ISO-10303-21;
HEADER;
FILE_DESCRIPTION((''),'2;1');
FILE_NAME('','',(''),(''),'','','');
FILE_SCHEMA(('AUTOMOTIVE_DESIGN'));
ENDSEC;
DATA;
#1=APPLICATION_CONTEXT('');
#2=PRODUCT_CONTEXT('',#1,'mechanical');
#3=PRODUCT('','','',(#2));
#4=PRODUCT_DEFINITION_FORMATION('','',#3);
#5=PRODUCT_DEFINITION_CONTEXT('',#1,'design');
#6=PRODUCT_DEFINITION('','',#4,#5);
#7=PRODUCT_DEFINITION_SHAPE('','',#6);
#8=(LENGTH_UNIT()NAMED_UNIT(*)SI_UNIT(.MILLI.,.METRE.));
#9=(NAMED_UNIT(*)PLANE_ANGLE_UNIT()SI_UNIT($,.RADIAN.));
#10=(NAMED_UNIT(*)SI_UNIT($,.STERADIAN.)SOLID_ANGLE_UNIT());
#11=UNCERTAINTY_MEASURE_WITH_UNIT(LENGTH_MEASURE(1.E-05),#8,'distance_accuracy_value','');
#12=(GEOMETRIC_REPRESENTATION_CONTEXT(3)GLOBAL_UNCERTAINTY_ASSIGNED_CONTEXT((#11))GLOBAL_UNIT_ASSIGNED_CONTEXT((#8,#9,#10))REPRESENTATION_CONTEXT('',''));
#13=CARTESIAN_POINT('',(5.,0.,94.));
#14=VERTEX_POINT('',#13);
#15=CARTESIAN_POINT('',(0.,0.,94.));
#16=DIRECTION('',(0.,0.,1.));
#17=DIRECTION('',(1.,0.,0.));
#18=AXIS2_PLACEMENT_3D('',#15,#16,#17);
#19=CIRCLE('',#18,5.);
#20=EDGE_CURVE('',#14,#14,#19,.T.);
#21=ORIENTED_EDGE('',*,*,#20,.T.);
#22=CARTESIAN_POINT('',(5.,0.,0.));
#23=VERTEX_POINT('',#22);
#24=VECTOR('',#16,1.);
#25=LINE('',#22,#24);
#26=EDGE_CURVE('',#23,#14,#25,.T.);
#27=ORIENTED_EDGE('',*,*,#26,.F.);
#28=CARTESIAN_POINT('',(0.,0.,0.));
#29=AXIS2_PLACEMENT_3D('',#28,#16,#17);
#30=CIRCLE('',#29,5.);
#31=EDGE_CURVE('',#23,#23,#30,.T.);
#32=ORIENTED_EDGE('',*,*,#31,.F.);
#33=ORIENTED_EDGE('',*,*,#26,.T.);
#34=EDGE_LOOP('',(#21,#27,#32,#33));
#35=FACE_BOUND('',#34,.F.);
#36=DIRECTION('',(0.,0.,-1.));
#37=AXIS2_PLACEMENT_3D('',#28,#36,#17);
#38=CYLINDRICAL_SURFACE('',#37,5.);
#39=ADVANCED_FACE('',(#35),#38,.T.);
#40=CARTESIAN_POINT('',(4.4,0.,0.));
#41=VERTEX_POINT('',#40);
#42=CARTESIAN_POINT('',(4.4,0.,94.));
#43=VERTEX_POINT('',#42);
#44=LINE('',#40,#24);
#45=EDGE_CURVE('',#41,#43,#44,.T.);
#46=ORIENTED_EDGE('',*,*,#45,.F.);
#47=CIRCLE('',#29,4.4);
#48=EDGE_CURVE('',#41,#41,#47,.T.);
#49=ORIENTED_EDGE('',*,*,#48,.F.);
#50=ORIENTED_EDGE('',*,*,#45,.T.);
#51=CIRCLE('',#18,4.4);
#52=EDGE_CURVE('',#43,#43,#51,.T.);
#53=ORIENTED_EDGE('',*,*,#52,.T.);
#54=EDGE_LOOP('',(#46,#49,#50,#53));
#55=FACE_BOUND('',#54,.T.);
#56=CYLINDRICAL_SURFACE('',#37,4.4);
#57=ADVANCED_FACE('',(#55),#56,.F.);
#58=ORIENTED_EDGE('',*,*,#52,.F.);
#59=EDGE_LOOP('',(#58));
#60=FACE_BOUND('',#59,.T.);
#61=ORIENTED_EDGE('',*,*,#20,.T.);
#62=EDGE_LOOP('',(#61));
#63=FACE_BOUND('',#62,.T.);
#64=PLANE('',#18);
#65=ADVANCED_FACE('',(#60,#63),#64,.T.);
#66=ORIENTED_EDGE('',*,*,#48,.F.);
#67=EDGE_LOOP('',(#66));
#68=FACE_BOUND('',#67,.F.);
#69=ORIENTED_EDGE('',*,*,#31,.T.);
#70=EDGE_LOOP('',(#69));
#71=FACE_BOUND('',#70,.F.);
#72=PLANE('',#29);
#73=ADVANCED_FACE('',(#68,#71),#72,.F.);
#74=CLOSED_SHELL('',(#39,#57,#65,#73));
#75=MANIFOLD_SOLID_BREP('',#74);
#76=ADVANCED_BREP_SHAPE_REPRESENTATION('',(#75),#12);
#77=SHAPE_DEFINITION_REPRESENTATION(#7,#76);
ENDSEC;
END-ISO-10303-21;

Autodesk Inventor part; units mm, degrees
ref_plane "YZ Plane" through (0, 0, 0) normal (1, 0, 0) x (0, 1, 0)
ref_plane "XZ Plane" through (0, 0, 0) normal (0, 1, 0) x (-1, 0, 0)
ref_plane "XY Plane" through (0, 0, 0) normal (0, 0, 1) x (1, 0, 0)
sketch "Circles" plane through (0, 0, 0) normal (0, 0, 1) x (1, 0, 0)
  circle A0 centre (0, 0) radius 5
  circle A1 centre (0, 0) radius 4.4
  dimension "Diameter" = 10
  dimension "Wallthickness" = 0.6
extrude "Tube" add sketch "Circles" along normal blind 94
equation "\"Length\" = CalculatedLength"
equation "\"DesiredCavityLength\" = 123"
equation "\"PostValveExtraLength\" = WhistleHousingLength - TubeSocketLength"
equation "\"TuningPlugLength\" = 12"
equation "\"CalculatedLength\" = TuningPlugLength + DesiredCavityLength - PostValveExtraLength"
equation "\"WhistleHousingLength\" = 51"
equation "\"TubeSocketLength\" = 10"
properties part number "Tube0" material "ABS Plastic"
